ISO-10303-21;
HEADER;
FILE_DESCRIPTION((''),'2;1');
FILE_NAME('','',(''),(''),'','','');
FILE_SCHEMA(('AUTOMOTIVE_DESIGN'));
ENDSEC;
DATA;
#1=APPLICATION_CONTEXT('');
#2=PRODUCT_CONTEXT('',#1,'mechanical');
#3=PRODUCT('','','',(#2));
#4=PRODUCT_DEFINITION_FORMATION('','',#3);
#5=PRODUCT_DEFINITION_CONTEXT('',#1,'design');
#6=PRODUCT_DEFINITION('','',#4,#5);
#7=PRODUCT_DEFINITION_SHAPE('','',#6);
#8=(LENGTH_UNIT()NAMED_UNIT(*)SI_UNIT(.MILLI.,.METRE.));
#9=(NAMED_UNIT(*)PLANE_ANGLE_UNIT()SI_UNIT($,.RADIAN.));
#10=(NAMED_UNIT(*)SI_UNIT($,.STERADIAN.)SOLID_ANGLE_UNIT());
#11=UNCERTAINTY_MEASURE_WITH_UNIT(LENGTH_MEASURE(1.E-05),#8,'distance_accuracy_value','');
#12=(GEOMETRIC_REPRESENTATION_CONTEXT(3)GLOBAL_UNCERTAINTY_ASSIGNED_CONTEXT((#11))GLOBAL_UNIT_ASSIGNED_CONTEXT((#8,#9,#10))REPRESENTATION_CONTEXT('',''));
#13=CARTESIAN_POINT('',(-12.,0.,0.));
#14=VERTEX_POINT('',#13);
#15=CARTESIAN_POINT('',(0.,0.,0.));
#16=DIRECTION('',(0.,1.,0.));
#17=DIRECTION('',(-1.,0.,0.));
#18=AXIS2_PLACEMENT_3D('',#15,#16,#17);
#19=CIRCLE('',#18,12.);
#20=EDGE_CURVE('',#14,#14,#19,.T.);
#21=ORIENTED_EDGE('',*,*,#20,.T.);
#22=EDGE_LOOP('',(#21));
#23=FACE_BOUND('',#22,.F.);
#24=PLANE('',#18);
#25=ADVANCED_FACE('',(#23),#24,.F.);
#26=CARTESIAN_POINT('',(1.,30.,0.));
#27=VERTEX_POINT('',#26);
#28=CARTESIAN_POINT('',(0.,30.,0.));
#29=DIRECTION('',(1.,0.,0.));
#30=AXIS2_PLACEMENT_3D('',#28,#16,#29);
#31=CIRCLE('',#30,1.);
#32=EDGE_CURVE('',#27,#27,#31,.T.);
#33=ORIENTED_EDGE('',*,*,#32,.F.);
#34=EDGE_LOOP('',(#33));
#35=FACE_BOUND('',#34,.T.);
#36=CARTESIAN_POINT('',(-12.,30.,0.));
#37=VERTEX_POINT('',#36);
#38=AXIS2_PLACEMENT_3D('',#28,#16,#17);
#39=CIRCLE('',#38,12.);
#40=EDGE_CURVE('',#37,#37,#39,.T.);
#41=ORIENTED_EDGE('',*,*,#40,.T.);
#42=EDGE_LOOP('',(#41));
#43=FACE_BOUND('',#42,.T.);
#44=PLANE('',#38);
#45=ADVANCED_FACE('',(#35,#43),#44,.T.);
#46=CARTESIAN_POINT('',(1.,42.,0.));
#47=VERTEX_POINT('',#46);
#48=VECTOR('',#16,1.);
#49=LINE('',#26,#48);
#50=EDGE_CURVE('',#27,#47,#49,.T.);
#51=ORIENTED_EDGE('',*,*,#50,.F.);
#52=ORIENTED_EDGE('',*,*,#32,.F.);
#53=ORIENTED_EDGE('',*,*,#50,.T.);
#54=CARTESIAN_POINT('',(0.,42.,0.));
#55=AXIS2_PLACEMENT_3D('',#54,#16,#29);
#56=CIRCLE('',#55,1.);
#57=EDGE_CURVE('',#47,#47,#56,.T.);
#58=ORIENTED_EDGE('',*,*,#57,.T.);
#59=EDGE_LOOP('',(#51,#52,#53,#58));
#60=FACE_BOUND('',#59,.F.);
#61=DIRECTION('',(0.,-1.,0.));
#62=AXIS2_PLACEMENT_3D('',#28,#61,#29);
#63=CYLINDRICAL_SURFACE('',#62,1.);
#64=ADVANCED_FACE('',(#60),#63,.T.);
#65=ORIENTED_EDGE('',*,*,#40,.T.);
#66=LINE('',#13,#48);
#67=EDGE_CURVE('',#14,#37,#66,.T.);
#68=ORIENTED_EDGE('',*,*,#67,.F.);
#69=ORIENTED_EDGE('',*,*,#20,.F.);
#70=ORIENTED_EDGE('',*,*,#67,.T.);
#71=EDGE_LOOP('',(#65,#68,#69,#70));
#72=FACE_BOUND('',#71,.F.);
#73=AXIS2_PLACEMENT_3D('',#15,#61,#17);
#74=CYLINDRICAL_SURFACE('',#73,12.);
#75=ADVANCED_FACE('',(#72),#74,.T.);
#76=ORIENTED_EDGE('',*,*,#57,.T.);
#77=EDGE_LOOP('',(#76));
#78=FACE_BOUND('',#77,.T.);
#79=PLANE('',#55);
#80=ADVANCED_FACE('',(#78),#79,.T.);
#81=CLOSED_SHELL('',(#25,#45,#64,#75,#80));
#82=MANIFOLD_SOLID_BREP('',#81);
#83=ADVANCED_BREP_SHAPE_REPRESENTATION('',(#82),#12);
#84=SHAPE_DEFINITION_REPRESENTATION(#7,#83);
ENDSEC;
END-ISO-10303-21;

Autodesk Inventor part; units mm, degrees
ref_plane "YZ Plane" through (0, 0, 0) normal (1, 0, 0) x (0, 1, 0)
ref_plane "XZ Plane" through (0, 0, 0) normal (0, 1, 0) x (-1, 0, 0)
ref_plane "XY Plane" through (0, 0, 0) normal (0, 0, 1) x (1, 0, 0)
sketch "Sketch1" plane through (0, 0, 0) normal (0, 1, 0) x (-1, 0, 0)
  circle A0 centre (0, 0) radius 12
extrude "Extrusion1" add sketch "Sketch1" along normal blind 30
sketch "Sketch2" plane through (0, 30, 0) normal (0, 1, 0) x (1, 0, 0)
  circle A0 centre (0, 0) radius 12 projected
  circle A1 centre (0, 0) radius 1
extrude "Extrusion2" add sketch "Sketch2" along normal blind 12 contours A1
properties part number "dc_motor"
